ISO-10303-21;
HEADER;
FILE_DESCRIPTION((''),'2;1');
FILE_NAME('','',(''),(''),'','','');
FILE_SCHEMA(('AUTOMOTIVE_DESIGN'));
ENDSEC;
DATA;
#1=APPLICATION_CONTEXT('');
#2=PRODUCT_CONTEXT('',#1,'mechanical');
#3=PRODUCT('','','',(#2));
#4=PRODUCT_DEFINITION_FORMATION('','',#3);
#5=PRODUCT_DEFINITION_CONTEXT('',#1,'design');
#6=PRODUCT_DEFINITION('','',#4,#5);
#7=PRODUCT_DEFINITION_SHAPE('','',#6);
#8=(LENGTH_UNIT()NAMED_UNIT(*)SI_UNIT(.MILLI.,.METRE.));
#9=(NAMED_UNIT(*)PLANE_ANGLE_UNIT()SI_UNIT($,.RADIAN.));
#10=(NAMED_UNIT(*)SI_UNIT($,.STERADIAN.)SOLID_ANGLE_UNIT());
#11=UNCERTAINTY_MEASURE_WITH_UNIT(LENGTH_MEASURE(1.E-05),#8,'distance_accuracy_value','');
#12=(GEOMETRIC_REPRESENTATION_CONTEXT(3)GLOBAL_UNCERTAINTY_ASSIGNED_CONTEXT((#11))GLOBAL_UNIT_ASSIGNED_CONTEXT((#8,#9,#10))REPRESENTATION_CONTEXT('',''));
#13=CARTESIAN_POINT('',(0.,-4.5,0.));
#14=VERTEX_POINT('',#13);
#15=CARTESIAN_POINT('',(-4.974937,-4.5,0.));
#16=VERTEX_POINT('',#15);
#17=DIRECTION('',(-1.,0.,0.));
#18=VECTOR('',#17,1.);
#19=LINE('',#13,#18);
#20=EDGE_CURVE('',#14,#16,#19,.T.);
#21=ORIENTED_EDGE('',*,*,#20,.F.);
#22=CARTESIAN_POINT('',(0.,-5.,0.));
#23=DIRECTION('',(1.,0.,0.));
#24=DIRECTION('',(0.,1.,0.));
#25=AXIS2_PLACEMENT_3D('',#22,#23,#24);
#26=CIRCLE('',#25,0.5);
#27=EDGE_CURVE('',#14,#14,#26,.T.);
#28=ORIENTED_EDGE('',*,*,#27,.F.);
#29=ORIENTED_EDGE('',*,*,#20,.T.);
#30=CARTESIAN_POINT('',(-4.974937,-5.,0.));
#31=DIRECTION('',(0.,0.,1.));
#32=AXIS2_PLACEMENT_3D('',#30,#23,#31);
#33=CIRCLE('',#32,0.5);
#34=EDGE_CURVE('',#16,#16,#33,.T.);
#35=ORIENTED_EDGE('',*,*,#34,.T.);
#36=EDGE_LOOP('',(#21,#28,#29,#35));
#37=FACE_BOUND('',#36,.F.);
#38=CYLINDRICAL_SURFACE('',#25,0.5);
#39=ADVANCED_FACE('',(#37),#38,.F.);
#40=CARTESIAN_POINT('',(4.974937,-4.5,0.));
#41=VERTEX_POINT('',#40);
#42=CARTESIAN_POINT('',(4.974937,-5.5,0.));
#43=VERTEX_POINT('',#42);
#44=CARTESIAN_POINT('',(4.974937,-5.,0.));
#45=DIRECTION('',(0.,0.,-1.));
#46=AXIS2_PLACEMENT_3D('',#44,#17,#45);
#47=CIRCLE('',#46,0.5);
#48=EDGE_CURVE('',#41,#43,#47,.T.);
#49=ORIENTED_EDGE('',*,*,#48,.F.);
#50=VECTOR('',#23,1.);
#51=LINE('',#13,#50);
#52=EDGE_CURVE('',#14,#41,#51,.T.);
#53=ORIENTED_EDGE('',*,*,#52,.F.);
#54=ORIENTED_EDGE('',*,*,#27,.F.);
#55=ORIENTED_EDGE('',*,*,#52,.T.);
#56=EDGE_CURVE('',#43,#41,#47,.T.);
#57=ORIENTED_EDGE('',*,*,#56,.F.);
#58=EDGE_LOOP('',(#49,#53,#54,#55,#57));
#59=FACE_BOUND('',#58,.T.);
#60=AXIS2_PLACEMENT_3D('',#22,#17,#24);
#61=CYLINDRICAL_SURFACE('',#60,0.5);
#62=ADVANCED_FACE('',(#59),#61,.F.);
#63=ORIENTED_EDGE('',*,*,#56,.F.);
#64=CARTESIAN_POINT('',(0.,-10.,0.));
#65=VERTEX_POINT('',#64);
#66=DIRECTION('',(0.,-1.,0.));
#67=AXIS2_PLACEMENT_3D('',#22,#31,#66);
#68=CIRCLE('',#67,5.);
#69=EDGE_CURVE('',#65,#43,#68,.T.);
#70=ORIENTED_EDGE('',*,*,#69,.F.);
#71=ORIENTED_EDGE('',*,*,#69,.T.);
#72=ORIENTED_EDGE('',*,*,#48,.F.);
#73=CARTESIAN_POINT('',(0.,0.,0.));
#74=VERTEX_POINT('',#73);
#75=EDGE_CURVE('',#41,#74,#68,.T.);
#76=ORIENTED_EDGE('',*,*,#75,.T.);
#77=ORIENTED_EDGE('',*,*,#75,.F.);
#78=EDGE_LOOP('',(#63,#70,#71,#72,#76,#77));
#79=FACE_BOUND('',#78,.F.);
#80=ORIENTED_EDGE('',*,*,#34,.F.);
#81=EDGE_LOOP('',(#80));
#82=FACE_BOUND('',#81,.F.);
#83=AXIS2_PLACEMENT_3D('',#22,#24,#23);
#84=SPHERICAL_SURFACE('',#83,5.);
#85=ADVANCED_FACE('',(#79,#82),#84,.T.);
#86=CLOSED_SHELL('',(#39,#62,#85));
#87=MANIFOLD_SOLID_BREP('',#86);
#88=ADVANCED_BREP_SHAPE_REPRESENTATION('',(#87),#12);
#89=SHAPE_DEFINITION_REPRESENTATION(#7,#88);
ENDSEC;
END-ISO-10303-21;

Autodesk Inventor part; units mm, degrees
ref_plane "YZ Plane" through (0, 0, 0) normal (1, 0, 0) x (0, 1, 0)
ref_plane "XZ Plane" through (0, 0, 0) normal (0, 1, 0) x (-1, 0, 0)
ref_plane "XY Plane" through (0, 0, 0) normal (0, 0, 1) x (1, 0, 0)
sketch "Sketch3" plane through (0, 0, 0) normal (0, 0, 1) x (1, 0, 0)
  line L0 (0, 0) -> (0, -10)
  arc A0 (0, -10) -> (0, 0) centre (0, -5) ccw
  line L1 (0, -5) -> (-0.832, -5) construction
  dimension "d23" = 10
revolve "Revolution2" add sketch "Sketch3" angle 360 about axis through (0, 0, 0) along (0, -1, 0)
sketch "Sketch4" plane through (0, 0, 0) normal (1, 0, 0) x (0, 1, 0)
  circle A0 centre (-5, 0) radius 0.5
  point P0 (0, 0)
  dimension "d26" = 1
  dimension "d27" = 5
extrude "Extrusion1" cut sketch "Sketch4" along normal mid plane 10
properties part number "Ball" material "Stainless Steel"
